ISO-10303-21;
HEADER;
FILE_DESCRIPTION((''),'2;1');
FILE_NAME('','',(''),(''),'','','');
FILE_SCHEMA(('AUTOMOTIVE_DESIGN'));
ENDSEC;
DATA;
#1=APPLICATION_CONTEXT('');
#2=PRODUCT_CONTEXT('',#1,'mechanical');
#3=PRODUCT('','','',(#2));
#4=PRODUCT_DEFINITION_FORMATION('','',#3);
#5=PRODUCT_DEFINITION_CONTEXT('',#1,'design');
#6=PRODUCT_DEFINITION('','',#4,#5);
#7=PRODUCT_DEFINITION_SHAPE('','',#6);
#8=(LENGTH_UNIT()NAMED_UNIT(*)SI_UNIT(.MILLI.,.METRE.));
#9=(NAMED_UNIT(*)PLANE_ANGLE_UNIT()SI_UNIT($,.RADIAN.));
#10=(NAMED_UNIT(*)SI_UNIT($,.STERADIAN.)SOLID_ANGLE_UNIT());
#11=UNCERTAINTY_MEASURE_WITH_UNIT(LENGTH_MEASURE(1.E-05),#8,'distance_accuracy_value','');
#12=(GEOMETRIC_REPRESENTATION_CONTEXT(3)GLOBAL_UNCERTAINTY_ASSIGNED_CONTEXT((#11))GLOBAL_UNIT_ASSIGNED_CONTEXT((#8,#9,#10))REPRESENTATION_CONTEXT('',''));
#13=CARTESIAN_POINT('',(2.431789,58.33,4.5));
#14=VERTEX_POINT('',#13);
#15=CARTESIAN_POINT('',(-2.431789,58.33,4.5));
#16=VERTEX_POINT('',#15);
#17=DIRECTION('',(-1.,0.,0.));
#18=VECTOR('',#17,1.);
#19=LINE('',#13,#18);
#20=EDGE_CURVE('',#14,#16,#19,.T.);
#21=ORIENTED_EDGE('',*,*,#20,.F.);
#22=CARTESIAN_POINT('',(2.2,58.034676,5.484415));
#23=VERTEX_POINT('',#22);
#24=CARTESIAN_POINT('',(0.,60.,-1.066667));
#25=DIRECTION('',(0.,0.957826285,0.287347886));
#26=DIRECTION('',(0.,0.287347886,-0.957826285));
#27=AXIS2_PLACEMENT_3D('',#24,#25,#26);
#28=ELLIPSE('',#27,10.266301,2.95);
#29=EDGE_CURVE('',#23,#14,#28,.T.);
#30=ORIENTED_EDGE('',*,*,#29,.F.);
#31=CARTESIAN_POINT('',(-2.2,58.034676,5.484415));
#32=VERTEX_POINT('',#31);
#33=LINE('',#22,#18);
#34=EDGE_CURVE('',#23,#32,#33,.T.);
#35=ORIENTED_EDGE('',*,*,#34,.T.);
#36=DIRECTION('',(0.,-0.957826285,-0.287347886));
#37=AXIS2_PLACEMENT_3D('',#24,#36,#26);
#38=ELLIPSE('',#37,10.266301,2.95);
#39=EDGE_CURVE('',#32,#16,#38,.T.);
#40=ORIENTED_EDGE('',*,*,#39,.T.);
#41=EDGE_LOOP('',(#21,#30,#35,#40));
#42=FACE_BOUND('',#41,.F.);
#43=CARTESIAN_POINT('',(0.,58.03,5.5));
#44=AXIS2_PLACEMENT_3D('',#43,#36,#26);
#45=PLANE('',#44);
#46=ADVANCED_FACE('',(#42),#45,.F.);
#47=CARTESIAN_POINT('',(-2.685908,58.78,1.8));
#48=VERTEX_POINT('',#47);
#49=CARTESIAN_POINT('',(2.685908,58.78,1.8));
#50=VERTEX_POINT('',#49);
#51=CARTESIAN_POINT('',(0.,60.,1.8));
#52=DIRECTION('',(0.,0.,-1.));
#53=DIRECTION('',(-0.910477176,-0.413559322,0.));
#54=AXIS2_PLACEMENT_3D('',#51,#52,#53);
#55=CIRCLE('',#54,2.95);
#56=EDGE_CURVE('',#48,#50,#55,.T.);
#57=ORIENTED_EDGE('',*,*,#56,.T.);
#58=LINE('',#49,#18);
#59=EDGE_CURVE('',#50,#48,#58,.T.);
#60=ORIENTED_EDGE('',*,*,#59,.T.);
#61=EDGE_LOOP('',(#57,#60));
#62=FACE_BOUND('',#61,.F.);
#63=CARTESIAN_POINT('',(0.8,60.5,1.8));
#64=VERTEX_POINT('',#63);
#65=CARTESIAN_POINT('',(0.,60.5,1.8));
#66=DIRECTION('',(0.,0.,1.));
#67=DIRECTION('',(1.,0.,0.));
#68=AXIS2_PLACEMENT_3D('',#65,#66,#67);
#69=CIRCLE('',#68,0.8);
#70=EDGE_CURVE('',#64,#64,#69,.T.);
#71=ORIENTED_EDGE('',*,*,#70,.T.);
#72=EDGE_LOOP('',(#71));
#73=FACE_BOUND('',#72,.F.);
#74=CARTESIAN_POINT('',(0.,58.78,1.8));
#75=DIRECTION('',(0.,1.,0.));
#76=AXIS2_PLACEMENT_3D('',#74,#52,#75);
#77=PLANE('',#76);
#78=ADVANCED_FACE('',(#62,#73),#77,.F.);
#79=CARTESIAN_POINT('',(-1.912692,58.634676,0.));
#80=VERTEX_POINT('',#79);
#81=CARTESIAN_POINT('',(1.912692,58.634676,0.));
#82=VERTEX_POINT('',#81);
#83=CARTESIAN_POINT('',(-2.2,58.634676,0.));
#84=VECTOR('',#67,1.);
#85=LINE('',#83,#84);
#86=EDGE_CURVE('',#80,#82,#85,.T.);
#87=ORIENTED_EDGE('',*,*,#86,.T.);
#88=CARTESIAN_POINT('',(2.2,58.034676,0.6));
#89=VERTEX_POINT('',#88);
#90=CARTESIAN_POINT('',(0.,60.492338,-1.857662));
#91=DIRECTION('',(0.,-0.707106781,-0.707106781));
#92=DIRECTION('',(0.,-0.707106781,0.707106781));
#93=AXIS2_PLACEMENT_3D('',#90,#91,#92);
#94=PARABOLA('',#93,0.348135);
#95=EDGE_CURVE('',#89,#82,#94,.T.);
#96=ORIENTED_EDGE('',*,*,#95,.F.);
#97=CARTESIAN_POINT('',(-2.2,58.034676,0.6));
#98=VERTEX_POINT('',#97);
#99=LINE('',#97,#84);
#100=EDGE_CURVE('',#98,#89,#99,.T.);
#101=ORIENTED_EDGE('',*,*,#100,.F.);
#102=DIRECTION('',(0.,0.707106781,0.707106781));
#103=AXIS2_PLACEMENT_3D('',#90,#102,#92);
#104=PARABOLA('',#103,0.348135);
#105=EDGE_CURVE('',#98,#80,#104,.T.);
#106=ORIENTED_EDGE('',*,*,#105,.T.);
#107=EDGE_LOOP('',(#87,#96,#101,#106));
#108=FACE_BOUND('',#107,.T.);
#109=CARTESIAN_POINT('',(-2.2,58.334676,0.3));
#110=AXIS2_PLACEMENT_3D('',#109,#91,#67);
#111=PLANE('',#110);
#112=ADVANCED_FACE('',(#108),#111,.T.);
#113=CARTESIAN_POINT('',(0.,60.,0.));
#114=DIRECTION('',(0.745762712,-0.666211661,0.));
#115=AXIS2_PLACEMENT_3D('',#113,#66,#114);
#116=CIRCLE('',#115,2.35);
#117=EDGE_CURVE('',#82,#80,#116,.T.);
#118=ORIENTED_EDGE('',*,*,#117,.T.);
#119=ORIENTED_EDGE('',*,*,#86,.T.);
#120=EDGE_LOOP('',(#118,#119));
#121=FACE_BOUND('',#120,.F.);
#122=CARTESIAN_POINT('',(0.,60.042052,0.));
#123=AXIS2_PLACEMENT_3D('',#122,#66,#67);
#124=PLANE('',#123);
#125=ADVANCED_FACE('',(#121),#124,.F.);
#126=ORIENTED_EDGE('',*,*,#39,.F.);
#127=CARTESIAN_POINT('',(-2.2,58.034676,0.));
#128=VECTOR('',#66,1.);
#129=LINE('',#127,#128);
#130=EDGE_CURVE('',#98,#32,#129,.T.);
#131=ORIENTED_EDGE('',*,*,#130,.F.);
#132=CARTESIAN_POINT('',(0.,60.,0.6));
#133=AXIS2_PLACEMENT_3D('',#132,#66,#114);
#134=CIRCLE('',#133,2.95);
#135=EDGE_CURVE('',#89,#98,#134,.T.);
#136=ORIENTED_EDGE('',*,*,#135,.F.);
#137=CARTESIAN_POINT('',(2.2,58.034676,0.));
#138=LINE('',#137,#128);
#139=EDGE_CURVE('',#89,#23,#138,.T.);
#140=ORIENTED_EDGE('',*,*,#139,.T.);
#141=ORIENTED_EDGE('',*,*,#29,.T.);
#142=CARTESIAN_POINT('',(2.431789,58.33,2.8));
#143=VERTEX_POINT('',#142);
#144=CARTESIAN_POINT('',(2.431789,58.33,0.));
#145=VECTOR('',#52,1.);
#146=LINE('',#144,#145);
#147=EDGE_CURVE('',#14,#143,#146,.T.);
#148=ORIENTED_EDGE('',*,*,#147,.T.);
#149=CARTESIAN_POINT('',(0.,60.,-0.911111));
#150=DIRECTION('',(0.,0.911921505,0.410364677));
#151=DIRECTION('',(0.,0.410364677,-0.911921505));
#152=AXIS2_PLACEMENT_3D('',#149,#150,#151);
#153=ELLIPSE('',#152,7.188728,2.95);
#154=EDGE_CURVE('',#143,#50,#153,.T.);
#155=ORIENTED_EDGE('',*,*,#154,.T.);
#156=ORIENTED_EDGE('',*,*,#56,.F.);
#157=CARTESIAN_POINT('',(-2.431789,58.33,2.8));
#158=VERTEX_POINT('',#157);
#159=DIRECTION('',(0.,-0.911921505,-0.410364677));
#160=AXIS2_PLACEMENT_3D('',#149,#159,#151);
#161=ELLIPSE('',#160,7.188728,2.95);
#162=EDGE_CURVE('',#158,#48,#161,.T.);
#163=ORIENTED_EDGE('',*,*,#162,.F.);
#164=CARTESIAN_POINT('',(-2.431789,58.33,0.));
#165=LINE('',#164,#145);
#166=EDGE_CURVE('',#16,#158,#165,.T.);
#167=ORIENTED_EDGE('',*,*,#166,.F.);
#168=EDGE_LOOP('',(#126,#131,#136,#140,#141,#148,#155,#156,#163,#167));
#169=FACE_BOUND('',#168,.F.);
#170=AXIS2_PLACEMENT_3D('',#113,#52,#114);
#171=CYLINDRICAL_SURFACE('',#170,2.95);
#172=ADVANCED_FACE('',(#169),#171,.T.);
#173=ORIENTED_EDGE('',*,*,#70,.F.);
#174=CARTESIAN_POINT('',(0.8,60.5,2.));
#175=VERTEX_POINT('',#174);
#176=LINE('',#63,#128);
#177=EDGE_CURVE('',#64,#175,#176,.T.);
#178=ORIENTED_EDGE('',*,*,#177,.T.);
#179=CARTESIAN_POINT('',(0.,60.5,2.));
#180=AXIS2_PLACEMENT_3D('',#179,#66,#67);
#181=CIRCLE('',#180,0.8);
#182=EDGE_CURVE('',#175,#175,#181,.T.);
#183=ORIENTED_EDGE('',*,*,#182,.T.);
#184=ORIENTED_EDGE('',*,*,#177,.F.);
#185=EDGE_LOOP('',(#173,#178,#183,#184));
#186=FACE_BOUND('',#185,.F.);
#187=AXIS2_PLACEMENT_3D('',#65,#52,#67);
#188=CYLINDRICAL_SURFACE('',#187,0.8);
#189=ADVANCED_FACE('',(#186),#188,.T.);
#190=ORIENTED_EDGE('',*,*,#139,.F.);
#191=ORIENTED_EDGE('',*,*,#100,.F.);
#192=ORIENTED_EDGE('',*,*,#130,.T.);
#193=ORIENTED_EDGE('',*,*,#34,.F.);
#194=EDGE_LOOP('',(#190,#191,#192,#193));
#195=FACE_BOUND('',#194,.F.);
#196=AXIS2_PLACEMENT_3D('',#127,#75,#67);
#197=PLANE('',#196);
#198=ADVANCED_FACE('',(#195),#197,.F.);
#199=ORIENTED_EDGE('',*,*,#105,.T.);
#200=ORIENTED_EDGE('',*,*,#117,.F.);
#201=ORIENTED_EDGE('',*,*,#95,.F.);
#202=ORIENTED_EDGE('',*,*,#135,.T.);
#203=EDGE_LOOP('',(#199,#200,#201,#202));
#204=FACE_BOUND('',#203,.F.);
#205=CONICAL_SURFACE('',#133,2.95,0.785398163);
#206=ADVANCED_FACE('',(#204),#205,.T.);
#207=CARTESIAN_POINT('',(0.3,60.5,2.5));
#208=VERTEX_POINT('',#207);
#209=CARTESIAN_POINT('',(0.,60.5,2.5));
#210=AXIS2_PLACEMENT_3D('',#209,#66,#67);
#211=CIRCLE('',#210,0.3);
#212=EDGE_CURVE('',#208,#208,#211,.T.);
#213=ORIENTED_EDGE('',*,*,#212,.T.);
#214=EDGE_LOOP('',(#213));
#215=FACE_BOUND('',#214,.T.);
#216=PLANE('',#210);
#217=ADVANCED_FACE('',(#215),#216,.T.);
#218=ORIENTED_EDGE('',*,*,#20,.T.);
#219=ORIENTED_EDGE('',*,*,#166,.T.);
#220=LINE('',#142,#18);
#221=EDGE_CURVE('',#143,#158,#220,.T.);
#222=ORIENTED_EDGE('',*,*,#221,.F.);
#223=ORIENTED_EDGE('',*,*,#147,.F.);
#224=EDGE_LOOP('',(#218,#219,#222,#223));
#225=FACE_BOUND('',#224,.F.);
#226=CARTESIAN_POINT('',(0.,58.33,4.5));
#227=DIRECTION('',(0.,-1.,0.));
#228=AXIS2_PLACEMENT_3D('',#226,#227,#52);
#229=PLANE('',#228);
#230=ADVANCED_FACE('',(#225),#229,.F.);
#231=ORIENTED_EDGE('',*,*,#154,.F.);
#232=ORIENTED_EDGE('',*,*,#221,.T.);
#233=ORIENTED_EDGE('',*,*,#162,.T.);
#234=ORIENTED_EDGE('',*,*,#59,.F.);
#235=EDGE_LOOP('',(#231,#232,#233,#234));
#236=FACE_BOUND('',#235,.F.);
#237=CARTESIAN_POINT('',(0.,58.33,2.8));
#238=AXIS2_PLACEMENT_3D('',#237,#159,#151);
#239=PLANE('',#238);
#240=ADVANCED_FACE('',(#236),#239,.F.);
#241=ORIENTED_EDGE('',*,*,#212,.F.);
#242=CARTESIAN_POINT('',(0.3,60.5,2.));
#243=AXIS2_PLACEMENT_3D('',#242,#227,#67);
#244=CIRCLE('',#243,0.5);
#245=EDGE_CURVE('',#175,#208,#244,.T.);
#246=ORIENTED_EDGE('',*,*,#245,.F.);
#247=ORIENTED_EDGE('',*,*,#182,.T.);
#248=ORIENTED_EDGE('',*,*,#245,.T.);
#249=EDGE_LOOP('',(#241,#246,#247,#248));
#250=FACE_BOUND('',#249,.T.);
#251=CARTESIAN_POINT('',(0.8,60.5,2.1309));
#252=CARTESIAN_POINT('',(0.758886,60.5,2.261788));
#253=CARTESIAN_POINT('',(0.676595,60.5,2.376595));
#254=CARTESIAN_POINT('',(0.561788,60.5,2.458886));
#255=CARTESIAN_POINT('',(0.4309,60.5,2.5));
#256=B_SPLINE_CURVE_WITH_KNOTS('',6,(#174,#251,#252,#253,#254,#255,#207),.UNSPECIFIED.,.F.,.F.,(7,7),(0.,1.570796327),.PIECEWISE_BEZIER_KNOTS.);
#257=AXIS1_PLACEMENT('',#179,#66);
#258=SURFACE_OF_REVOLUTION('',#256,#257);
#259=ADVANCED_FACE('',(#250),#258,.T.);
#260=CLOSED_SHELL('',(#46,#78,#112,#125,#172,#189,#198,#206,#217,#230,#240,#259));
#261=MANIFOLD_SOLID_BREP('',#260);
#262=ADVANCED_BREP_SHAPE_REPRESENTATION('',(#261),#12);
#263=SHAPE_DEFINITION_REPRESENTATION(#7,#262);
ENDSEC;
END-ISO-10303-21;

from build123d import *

# Parameters (mm, degrees)
PAD003_DEPTH         = 5.5
POCKET004_DEPTH      = 2.951
POCKET004_DEPTH_BACK = 2.951
SKETCH013_R          = 0.8
PAD006_DEPTH         = 0.7
FILLET_R             = 0.5
CHAMFER004_SIZE      = 0.6


with BuildPart() as part:
    # Sketch004 → Pad003 (new body)
    with BuildSketch(Plane.XY):
        with BuildLine():
            ThreePointArc((2.2, -1.9653244007), (0, 2.95), (-2.2, -1.9653244007))
            Line((-2.2, -1.9653244007), (2.2, -1.9653244007))
        make_face()
    extrude(amount=PAD003_DEPTH)

    # Sketch014 → Pocket004 (cut, two sides)
    with BuildSketch(Plane.YZ) as pocket004_sk:
        Polygon((-1.97, 5.5), (-1.67, 4.5), (-1.67, 2.8), (-1.22, 1.8), (4, 1.8), (4, 5.5), align=None)
    extrude(amount=-POCKET004_DEPTH, mode=Mode.SUBTRACT)
    extrude(pocket004_sk.sketch, amount=POCKET004_DEPTH_BACK, mode=Mode.SUBTRACT)

    # Sketch013 (on Face7 of Pocket004) → Pad006 (join)
    with BuildSketch(Plane.XY.offset(1.8)):
        with Locations((0, 0.5)):
            Circle(SKETCH013_R)
    extrude(amount=PAD006_DEPTH)

    # Fillet
    fillet_edges = [part.edges().sort_by_distance(p)[0] for p in [
        (-0.8, 0.5, 2.5),
    ]]
    fillet(fillet_edges, radius=FILLET_R)

    # Chamfer004
    chamfer004_edges = [part.edges().sort_by_distance(p)[0] for p in [
        (0, 2.95, 0),
        (0, -1.965324, 0),
    ]]
    chamfer(chamfer004_edges, length=CHAMFER004_SIZE)


with BuildPart() as part_1:
    # Body029 placement: moved
    add(part.part.moved(Location((0, 60, 0))))


solid = part_1.part
